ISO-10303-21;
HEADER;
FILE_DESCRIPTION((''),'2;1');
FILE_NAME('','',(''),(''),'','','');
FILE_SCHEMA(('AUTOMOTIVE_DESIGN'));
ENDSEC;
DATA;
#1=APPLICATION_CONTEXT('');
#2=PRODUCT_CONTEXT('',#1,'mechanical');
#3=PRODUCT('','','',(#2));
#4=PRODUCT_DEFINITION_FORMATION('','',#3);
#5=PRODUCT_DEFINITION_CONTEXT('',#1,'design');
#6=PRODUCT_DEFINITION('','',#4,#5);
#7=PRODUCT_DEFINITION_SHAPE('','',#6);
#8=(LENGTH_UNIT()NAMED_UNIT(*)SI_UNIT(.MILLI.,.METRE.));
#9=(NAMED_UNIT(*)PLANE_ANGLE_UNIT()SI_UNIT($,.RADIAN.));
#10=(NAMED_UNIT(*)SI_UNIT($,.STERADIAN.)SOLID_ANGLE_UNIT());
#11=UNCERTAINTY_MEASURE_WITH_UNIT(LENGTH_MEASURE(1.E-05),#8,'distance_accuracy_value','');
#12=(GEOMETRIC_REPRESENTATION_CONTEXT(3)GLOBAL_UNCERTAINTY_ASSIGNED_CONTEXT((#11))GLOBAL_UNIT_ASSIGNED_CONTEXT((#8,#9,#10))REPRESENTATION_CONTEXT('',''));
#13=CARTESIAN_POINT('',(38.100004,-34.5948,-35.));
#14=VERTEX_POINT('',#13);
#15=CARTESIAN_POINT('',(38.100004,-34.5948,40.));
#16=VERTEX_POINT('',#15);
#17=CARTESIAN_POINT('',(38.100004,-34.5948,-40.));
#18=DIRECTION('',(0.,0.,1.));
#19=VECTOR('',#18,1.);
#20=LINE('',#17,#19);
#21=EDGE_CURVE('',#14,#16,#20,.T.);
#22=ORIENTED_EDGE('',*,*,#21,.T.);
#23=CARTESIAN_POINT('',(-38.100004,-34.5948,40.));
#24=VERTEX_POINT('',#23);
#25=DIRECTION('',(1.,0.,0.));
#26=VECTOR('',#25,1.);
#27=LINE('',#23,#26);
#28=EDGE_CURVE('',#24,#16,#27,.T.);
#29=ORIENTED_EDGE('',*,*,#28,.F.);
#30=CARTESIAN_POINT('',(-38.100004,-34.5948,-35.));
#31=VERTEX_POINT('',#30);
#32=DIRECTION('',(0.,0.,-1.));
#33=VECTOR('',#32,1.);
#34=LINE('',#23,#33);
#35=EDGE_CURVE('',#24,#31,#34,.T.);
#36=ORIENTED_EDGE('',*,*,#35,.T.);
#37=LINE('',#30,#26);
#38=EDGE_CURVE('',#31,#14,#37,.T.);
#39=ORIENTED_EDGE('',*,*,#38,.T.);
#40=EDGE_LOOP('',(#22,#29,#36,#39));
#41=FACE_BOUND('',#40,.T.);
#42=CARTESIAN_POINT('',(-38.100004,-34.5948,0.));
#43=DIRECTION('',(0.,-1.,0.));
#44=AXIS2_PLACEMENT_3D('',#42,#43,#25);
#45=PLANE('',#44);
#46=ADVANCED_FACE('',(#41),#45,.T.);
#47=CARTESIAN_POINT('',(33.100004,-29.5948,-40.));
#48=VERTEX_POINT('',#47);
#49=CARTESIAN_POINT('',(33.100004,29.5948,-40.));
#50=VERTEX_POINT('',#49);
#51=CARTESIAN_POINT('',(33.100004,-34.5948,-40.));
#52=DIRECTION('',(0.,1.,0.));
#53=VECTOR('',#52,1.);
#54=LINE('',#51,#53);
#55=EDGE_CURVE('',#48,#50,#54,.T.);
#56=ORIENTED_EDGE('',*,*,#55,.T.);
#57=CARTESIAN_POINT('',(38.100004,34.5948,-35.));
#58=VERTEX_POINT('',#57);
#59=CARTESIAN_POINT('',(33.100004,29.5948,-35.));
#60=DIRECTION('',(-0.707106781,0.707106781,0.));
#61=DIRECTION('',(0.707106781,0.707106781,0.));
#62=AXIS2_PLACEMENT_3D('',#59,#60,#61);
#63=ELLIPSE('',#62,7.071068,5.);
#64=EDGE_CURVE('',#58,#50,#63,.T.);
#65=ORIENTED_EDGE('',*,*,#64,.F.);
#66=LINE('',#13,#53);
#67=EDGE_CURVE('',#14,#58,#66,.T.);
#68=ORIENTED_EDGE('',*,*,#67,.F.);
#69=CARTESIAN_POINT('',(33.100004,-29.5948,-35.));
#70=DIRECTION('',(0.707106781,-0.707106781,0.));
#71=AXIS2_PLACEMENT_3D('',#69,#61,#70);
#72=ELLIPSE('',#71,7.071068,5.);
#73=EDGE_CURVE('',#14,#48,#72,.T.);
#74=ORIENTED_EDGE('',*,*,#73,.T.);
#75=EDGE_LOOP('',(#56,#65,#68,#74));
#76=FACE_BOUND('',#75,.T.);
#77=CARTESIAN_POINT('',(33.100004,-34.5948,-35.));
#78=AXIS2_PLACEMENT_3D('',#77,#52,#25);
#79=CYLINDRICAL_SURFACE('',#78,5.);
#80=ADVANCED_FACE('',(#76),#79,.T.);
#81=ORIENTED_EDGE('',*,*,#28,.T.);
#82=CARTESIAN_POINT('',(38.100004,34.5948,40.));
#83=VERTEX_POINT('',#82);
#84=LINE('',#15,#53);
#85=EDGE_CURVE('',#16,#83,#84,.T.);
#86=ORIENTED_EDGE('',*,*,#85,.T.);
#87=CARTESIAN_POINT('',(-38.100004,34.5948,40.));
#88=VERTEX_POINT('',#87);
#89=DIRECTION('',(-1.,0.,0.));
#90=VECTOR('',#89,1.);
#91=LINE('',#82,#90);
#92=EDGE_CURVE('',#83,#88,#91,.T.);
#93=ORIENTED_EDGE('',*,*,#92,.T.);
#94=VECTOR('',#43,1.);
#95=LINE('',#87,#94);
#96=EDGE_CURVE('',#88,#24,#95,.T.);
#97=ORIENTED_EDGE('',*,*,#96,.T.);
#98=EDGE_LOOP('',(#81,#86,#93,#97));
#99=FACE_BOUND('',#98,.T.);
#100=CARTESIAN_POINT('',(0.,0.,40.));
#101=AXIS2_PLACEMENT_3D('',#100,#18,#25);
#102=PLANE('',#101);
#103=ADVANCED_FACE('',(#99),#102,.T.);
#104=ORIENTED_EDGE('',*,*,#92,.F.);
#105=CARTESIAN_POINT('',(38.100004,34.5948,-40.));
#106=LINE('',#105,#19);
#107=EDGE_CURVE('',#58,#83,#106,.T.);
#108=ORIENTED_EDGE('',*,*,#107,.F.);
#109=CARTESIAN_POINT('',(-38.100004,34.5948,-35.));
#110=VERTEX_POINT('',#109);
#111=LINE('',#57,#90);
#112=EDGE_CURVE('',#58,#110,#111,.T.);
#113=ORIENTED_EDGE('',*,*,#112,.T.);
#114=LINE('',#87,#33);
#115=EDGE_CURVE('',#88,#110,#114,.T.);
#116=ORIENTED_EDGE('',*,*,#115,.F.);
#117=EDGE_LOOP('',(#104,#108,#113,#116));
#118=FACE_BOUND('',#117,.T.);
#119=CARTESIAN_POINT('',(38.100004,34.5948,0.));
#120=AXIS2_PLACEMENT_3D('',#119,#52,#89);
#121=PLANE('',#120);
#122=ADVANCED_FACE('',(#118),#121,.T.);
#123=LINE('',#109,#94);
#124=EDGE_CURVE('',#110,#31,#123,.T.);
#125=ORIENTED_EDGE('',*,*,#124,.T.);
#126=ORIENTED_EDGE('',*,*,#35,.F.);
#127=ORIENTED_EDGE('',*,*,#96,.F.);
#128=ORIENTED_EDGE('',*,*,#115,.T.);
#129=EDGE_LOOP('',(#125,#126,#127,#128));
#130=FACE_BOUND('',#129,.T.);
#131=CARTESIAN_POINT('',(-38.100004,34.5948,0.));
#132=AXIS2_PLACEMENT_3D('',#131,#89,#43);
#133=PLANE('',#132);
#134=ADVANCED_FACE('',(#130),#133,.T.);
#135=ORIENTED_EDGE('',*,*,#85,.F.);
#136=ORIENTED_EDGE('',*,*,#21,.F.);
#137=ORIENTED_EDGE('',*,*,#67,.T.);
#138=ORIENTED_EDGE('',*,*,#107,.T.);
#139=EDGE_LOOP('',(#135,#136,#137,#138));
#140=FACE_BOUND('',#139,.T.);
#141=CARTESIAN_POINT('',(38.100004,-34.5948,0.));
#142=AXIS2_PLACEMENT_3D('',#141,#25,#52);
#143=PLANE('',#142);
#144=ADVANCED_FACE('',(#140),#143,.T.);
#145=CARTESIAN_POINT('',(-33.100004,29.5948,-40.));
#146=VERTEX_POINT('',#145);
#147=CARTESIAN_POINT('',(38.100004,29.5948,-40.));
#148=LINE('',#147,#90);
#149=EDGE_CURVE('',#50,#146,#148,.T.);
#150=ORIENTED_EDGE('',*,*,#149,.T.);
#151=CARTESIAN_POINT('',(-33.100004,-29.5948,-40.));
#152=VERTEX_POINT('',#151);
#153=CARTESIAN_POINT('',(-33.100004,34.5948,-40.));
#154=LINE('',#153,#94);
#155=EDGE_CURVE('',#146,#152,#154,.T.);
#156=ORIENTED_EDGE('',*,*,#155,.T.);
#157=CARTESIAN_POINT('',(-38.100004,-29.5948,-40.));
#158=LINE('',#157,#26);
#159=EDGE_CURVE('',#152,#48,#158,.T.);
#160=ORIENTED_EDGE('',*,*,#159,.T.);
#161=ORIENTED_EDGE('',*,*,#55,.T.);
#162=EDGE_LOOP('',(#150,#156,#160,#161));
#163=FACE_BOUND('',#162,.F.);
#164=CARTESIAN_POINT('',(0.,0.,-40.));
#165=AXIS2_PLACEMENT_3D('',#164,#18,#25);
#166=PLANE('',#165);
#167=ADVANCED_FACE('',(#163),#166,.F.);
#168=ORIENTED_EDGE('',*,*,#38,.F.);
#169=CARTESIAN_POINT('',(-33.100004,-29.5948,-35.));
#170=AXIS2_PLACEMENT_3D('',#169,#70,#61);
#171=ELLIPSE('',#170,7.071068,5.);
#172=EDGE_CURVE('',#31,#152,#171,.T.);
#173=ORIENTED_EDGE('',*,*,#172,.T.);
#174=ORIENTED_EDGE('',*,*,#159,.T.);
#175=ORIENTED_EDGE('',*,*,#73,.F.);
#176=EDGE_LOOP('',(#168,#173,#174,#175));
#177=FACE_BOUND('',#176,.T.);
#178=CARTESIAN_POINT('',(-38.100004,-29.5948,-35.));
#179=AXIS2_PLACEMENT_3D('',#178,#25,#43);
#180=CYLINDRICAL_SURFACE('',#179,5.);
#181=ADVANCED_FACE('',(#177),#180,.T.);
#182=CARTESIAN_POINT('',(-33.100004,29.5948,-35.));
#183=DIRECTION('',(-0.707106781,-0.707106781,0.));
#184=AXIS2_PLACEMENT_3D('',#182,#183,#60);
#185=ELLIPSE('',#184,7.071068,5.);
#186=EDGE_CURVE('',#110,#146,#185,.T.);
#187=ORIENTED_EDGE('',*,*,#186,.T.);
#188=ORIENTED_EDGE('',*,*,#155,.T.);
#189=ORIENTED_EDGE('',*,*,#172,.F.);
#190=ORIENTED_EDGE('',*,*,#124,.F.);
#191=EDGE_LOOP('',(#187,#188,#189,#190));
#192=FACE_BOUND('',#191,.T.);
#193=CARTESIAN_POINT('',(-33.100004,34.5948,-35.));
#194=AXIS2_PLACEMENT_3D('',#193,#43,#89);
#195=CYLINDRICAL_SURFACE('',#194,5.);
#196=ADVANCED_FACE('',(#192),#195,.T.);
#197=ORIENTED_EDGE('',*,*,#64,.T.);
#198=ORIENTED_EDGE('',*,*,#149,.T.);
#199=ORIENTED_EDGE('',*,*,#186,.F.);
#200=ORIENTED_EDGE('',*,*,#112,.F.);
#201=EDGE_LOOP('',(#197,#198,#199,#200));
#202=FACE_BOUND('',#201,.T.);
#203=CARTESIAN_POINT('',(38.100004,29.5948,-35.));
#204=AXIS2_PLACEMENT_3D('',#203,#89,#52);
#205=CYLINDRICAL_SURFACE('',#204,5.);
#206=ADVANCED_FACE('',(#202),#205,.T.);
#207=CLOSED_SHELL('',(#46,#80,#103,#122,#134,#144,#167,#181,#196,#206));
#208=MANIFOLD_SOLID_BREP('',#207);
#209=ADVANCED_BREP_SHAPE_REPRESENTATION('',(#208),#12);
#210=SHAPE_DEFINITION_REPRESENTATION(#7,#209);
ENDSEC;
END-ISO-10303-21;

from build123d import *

# Parameters (mm, degrees)
F1_DEPTH = 40
F2_R     = 5


with BuildPart() as f1:
    # F0 (on Top) → F1 (new body, symmetric)
    with BuildSketch(Plane.XY):
        Polygon((-38.100004, -34.5948), (38.100004, -34.5948), (38.100004, 34.5948), (0, 34.5948), (-38.100004, 34.5948), align=None)
    extrude(amount=F1_DEPTH, both=True)

    # F2
    f2_edges = [f1.edges().sort_by_distance(p)[0] for p in [
        (0, -34.5948, -40),
        (38.100004, 0, -40),
        (0, 34.5948, -40),
        (-38.100004, 0, -40),
    ]]
    fillet(f2_edges, radius=F2_R)


solid = f1.part
